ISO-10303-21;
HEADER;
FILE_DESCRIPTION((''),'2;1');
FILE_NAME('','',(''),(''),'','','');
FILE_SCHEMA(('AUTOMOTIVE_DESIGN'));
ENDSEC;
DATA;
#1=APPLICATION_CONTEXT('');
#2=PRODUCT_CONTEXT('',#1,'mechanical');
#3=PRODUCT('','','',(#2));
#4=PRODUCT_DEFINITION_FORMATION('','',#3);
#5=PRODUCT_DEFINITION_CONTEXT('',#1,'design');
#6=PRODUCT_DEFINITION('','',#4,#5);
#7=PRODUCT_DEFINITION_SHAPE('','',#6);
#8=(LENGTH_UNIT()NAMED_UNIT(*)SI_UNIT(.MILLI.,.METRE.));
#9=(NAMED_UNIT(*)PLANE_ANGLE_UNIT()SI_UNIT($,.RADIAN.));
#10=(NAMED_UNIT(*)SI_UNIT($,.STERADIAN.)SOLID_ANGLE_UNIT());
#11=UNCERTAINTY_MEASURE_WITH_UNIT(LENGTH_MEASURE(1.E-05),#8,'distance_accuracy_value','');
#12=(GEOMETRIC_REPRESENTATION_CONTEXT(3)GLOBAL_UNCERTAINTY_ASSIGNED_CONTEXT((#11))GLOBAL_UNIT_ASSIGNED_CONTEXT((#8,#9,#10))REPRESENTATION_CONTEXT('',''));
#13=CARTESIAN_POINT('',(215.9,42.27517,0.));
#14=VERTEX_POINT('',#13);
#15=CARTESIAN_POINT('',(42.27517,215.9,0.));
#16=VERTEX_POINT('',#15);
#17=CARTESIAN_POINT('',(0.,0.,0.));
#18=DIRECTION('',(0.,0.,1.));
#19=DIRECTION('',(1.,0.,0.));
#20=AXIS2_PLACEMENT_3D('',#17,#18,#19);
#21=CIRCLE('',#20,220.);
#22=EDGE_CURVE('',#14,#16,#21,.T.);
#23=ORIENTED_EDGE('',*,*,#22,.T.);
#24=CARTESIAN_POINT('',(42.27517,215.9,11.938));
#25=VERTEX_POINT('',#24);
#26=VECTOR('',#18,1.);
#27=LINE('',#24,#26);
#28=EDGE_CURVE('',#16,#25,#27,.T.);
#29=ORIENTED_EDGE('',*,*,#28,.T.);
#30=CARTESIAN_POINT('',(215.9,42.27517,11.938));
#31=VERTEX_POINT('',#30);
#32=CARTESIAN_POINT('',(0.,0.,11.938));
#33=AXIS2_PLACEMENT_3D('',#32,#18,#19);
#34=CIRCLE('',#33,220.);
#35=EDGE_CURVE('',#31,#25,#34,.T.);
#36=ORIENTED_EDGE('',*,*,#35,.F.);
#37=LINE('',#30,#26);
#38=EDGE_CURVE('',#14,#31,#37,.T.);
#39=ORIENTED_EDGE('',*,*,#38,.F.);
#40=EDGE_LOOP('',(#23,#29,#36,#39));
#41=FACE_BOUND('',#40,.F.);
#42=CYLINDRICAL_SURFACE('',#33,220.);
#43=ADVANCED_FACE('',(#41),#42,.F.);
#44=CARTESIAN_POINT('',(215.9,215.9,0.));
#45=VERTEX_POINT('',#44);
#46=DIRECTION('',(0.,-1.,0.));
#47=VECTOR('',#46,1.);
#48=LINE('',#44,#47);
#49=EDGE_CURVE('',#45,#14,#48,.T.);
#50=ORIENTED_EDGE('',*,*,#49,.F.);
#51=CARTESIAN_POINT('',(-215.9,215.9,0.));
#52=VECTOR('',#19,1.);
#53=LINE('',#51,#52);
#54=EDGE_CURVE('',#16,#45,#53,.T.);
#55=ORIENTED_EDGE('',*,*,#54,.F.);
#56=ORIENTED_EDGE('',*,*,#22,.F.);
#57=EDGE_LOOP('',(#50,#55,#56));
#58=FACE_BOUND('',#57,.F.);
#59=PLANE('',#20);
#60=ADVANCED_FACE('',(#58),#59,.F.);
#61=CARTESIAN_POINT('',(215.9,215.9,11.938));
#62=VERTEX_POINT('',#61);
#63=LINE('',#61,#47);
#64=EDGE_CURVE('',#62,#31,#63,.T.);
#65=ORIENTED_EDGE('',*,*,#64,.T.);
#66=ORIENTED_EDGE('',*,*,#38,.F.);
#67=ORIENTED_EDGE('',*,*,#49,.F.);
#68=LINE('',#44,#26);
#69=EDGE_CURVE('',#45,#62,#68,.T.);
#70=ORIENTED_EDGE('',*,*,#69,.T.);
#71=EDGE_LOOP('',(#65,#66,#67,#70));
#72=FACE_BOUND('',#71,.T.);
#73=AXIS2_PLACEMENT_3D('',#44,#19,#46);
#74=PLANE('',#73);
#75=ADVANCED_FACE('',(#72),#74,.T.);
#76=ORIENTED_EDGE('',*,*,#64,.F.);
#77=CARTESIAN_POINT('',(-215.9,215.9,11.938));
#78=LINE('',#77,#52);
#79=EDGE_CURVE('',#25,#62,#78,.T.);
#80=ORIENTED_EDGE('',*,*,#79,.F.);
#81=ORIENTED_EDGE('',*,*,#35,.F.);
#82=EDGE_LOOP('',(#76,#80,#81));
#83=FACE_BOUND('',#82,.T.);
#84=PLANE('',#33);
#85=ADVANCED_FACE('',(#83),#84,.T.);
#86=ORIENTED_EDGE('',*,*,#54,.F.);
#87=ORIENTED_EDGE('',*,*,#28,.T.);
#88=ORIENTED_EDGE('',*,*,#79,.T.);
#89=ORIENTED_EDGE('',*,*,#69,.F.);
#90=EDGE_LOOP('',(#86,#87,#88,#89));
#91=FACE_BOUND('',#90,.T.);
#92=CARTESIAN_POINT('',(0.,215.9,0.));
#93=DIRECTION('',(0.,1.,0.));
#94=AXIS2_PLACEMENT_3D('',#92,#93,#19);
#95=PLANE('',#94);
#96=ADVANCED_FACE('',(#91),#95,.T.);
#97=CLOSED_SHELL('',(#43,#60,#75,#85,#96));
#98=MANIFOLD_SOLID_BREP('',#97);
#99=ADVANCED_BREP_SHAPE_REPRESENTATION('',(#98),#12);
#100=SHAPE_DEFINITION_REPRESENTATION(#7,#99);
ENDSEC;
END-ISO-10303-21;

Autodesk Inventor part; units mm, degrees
ref_plane "YZ Plane" through (0, 0, 0) normal (1, 0, 0) x (0, 1, 0)
ref_plane "XZ Plane" through (0, 0, 0) normal (0, 1, 0) x (-1, 0, 0)
ref_plane "XY Plane" through (0, 0, 0) normal (0, 0, 1) x (1, 0, 0)
sketch "Sketch1" plane through (0, 0, 0) normal (0, 0, 1) x (1, 0, 0)
  circle A0 centre (0, 0) radius 215.9
  line L0 (-215.9, 215.9) -> (215.9, 215.9)
  line L1 (215.9, 215.9) -> (215.9, -215.9)
  line L2 (215.9, -215.9) -> (-215.9, -215.9)
  line L3 (-215.9, -215.9) -> (-215.9, 215.9)
  point P0 (215.9, 0)
  point P1 (0, 215.9)
  dimension "d0" = 431.8
  dimension "d1" = 431.8
  dimension "d2" = 431.8
  dimension "d3" = 215.9
  dimension "d4" = 215.9
extrude "Extrusion1" add sketch "Sketch1" along normal blind 11.938 contours A0 L0 L1
sketch "Sketch2" plane through (0, 0, 11.938) normal (0, 0, 1) x (1, 0, 0)
  circle A0 centre (0, 0) radius 220
  dimension "d7" = 440
extrude "Extrusion2" cut sketch "Sketch2" against normal through all
properties part number "Wind Tunnel Fan Shroud Corner" material "Wood (Oak)"
